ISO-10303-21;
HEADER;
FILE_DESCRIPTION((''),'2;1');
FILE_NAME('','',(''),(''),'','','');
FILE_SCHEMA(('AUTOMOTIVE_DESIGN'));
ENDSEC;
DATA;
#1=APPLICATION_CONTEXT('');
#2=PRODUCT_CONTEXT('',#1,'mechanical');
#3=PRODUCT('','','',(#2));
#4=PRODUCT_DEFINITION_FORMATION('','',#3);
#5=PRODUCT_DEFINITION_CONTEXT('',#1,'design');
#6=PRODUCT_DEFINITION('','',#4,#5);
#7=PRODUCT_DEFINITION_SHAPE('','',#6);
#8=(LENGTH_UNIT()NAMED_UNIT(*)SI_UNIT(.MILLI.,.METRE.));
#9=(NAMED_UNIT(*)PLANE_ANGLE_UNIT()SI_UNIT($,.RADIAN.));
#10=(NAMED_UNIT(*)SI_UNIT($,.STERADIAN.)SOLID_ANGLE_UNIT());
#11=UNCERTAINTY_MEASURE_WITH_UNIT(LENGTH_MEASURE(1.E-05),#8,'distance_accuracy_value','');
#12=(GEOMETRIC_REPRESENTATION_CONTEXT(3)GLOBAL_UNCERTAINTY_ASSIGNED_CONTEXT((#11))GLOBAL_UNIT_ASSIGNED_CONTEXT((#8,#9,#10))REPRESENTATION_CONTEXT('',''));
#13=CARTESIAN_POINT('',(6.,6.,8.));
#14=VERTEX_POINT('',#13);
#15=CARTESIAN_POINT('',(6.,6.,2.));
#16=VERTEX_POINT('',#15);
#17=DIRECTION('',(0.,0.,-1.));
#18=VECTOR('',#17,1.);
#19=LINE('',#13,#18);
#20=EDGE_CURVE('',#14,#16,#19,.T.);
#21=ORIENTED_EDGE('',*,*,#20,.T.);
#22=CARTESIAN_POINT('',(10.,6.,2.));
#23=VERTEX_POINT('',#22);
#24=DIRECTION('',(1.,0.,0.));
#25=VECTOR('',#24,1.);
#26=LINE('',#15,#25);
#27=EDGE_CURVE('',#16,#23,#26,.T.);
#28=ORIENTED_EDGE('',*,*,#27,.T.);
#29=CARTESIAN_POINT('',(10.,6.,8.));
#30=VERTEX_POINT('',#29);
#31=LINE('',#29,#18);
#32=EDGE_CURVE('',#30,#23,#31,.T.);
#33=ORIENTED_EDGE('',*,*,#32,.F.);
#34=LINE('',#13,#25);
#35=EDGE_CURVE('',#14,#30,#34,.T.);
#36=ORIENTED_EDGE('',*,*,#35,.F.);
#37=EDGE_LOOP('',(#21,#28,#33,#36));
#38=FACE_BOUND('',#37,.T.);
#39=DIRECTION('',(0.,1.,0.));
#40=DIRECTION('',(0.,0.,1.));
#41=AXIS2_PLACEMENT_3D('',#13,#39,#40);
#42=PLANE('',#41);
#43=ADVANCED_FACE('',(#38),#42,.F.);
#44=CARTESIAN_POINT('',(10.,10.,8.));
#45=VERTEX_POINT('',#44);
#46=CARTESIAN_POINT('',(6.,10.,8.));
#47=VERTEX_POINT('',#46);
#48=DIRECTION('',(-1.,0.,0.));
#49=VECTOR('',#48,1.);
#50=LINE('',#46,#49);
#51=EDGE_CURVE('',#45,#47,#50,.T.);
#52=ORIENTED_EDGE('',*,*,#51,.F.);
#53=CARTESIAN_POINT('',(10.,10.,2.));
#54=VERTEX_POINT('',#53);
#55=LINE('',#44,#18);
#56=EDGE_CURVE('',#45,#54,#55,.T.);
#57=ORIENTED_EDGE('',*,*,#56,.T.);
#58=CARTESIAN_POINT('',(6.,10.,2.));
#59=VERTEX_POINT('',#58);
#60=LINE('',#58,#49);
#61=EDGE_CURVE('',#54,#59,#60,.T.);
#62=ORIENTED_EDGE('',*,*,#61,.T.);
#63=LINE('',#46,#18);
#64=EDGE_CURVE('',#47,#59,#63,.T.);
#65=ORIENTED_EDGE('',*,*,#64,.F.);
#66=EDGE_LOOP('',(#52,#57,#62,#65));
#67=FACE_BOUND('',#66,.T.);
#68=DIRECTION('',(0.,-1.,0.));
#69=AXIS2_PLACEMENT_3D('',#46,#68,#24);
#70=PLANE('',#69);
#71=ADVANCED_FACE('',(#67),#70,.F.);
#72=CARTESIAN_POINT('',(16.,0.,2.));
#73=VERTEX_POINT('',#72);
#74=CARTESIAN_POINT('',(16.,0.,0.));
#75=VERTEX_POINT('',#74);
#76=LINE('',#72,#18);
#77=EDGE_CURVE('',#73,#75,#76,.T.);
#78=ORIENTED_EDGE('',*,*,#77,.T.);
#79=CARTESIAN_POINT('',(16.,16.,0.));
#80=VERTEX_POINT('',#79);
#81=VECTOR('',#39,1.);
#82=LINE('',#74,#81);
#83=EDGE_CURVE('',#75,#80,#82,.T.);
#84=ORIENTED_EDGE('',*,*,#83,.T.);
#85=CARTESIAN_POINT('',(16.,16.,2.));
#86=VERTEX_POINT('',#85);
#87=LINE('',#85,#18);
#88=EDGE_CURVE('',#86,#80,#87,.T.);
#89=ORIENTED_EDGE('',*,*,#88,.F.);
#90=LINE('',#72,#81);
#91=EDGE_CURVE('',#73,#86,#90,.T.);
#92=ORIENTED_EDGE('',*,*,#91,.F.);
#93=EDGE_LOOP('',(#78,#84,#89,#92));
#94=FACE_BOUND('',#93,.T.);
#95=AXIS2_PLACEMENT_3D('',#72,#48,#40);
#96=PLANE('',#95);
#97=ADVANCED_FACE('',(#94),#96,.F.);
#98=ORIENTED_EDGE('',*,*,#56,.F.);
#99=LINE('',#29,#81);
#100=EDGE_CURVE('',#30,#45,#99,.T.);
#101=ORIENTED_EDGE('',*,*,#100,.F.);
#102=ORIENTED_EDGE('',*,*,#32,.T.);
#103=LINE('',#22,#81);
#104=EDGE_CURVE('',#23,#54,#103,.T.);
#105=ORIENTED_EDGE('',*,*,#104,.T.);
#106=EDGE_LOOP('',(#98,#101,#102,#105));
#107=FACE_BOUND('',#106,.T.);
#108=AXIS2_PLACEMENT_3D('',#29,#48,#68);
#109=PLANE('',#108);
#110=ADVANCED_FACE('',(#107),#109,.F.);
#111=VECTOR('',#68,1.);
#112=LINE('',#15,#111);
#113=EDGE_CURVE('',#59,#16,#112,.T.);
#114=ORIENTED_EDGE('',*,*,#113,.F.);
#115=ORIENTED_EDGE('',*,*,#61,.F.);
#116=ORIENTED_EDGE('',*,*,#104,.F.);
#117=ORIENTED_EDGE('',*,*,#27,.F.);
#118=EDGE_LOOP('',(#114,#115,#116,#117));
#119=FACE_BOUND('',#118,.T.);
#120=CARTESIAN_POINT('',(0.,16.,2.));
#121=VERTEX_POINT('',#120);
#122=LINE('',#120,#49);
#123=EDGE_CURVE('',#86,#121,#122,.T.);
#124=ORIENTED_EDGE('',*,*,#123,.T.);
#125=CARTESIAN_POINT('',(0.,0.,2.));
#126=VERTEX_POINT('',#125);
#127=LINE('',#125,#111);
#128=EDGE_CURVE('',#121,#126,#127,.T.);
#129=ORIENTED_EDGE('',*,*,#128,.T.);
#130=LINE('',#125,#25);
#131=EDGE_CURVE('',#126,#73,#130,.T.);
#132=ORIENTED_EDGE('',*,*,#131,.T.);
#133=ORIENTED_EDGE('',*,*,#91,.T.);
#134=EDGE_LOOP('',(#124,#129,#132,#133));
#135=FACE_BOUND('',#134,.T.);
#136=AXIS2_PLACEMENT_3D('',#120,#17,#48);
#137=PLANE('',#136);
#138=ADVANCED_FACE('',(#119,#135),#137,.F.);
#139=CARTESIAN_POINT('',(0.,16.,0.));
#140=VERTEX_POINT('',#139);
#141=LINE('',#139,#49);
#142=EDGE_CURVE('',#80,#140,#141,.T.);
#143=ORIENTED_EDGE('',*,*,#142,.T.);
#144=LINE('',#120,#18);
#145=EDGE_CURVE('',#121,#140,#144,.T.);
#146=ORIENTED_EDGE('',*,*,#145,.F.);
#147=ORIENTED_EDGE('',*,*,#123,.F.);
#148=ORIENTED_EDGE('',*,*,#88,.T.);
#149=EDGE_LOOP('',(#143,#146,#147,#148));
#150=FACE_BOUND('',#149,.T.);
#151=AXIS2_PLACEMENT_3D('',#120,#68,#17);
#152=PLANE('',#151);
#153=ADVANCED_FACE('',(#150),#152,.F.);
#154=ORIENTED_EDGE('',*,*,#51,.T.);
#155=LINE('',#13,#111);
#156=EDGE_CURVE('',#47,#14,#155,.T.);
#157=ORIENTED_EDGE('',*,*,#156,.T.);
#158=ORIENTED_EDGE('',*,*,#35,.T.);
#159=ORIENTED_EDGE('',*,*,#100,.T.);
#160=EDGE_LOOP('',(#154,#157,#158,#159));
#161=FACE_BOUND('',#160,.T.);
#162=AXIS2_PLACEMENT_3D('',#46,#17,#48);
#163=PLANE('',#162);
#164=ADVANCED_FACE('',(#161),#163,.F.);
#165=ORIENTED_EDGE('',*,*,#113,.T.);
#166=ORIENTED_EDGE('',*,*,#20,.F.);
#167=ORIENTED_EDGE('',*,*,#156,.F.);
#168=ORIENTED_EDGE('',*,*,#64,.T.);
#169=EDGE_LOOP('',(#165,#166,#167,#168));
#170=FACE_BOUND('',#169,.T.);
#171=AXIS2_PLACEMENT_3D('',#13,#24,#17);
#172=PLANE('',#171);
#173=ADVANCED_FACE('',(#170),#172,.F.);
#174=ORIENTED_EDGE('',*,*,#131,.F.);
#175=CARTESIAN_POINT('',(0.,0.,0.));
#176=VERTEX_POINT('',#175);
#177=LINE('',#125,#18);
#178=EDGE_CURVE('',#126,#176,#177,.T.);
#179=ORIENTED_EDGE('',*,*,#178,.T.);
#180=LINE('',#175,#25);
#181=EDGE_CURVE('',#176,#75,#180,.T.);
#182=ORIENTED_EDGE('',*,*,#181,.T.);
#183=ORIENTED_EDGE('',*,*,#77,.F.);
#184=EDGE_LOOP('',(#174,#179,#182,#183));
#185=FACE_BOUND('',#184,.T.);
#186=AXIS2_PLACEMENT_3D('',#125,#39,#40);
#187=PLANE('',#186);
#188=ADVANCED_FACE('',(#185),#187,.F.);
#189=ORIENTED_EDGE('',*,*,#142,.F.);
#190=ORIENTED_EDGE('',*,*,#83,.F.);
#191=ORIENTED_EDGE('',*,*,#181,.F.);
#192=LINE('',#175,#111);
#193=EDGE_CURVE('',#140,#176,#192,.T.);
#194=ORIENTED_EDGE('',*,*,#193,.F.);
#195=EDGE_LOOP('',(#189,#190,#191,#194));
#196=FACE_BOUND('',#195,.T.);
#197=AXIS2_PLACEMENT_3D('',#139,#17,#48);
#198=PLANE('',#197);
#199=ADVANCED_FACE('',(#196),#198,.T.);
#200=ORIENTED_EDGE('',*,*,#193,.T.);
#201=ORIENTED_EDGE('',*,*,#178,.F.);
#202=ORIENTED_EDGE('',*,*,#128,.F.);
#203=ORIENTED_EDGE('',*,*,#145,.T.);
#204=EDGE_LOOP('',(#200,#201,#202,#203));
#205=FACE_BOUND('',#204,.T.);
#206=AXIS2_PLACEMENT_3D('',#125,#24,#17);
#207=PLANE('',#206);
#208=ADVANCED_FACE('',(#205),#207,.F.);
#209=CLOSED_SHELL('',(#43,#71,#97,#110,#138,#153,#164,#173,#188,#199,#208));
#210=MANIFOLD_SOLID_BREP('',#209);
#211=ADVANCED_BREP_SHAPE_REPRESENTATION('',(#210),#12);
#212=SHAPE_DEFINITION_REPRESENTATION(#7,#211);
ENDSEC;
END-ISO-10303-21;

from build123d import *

# Parameters (mm, degrees)
ESQUISSE1_W        = 16
ESQUISSE1_H        = 16
BOSS_EXTRU_1_DEPTH = 2
ESQUISSE2_W        = 4
ESQUISSE2_H        = 4
BOSS_EXTRU_2_DEPTH = 6


with BuildPart() as part:
    # Esquisse1 → Boss.-Extru.1 (new body)
    with BuildSketch(Plane.XY):
        with Locations((8, 8)):
            Rectangle(ESQUISSE1_W, ESQUISSE1_H)
    extrude(amount=BOSS_EXTRU_1_DEPTH)

    # Esquisse2 → Boss.-Extru.2 (add)
    with BuildSketch(Plane.XY.offset(2)):
        with Locations((8, 8)):
            Rectangle(ESQUISSE2_W, ESQUISSE2_H)
    extrude(amount=BOSS_EXTRU_2_DEPTH)


solid = part.part
